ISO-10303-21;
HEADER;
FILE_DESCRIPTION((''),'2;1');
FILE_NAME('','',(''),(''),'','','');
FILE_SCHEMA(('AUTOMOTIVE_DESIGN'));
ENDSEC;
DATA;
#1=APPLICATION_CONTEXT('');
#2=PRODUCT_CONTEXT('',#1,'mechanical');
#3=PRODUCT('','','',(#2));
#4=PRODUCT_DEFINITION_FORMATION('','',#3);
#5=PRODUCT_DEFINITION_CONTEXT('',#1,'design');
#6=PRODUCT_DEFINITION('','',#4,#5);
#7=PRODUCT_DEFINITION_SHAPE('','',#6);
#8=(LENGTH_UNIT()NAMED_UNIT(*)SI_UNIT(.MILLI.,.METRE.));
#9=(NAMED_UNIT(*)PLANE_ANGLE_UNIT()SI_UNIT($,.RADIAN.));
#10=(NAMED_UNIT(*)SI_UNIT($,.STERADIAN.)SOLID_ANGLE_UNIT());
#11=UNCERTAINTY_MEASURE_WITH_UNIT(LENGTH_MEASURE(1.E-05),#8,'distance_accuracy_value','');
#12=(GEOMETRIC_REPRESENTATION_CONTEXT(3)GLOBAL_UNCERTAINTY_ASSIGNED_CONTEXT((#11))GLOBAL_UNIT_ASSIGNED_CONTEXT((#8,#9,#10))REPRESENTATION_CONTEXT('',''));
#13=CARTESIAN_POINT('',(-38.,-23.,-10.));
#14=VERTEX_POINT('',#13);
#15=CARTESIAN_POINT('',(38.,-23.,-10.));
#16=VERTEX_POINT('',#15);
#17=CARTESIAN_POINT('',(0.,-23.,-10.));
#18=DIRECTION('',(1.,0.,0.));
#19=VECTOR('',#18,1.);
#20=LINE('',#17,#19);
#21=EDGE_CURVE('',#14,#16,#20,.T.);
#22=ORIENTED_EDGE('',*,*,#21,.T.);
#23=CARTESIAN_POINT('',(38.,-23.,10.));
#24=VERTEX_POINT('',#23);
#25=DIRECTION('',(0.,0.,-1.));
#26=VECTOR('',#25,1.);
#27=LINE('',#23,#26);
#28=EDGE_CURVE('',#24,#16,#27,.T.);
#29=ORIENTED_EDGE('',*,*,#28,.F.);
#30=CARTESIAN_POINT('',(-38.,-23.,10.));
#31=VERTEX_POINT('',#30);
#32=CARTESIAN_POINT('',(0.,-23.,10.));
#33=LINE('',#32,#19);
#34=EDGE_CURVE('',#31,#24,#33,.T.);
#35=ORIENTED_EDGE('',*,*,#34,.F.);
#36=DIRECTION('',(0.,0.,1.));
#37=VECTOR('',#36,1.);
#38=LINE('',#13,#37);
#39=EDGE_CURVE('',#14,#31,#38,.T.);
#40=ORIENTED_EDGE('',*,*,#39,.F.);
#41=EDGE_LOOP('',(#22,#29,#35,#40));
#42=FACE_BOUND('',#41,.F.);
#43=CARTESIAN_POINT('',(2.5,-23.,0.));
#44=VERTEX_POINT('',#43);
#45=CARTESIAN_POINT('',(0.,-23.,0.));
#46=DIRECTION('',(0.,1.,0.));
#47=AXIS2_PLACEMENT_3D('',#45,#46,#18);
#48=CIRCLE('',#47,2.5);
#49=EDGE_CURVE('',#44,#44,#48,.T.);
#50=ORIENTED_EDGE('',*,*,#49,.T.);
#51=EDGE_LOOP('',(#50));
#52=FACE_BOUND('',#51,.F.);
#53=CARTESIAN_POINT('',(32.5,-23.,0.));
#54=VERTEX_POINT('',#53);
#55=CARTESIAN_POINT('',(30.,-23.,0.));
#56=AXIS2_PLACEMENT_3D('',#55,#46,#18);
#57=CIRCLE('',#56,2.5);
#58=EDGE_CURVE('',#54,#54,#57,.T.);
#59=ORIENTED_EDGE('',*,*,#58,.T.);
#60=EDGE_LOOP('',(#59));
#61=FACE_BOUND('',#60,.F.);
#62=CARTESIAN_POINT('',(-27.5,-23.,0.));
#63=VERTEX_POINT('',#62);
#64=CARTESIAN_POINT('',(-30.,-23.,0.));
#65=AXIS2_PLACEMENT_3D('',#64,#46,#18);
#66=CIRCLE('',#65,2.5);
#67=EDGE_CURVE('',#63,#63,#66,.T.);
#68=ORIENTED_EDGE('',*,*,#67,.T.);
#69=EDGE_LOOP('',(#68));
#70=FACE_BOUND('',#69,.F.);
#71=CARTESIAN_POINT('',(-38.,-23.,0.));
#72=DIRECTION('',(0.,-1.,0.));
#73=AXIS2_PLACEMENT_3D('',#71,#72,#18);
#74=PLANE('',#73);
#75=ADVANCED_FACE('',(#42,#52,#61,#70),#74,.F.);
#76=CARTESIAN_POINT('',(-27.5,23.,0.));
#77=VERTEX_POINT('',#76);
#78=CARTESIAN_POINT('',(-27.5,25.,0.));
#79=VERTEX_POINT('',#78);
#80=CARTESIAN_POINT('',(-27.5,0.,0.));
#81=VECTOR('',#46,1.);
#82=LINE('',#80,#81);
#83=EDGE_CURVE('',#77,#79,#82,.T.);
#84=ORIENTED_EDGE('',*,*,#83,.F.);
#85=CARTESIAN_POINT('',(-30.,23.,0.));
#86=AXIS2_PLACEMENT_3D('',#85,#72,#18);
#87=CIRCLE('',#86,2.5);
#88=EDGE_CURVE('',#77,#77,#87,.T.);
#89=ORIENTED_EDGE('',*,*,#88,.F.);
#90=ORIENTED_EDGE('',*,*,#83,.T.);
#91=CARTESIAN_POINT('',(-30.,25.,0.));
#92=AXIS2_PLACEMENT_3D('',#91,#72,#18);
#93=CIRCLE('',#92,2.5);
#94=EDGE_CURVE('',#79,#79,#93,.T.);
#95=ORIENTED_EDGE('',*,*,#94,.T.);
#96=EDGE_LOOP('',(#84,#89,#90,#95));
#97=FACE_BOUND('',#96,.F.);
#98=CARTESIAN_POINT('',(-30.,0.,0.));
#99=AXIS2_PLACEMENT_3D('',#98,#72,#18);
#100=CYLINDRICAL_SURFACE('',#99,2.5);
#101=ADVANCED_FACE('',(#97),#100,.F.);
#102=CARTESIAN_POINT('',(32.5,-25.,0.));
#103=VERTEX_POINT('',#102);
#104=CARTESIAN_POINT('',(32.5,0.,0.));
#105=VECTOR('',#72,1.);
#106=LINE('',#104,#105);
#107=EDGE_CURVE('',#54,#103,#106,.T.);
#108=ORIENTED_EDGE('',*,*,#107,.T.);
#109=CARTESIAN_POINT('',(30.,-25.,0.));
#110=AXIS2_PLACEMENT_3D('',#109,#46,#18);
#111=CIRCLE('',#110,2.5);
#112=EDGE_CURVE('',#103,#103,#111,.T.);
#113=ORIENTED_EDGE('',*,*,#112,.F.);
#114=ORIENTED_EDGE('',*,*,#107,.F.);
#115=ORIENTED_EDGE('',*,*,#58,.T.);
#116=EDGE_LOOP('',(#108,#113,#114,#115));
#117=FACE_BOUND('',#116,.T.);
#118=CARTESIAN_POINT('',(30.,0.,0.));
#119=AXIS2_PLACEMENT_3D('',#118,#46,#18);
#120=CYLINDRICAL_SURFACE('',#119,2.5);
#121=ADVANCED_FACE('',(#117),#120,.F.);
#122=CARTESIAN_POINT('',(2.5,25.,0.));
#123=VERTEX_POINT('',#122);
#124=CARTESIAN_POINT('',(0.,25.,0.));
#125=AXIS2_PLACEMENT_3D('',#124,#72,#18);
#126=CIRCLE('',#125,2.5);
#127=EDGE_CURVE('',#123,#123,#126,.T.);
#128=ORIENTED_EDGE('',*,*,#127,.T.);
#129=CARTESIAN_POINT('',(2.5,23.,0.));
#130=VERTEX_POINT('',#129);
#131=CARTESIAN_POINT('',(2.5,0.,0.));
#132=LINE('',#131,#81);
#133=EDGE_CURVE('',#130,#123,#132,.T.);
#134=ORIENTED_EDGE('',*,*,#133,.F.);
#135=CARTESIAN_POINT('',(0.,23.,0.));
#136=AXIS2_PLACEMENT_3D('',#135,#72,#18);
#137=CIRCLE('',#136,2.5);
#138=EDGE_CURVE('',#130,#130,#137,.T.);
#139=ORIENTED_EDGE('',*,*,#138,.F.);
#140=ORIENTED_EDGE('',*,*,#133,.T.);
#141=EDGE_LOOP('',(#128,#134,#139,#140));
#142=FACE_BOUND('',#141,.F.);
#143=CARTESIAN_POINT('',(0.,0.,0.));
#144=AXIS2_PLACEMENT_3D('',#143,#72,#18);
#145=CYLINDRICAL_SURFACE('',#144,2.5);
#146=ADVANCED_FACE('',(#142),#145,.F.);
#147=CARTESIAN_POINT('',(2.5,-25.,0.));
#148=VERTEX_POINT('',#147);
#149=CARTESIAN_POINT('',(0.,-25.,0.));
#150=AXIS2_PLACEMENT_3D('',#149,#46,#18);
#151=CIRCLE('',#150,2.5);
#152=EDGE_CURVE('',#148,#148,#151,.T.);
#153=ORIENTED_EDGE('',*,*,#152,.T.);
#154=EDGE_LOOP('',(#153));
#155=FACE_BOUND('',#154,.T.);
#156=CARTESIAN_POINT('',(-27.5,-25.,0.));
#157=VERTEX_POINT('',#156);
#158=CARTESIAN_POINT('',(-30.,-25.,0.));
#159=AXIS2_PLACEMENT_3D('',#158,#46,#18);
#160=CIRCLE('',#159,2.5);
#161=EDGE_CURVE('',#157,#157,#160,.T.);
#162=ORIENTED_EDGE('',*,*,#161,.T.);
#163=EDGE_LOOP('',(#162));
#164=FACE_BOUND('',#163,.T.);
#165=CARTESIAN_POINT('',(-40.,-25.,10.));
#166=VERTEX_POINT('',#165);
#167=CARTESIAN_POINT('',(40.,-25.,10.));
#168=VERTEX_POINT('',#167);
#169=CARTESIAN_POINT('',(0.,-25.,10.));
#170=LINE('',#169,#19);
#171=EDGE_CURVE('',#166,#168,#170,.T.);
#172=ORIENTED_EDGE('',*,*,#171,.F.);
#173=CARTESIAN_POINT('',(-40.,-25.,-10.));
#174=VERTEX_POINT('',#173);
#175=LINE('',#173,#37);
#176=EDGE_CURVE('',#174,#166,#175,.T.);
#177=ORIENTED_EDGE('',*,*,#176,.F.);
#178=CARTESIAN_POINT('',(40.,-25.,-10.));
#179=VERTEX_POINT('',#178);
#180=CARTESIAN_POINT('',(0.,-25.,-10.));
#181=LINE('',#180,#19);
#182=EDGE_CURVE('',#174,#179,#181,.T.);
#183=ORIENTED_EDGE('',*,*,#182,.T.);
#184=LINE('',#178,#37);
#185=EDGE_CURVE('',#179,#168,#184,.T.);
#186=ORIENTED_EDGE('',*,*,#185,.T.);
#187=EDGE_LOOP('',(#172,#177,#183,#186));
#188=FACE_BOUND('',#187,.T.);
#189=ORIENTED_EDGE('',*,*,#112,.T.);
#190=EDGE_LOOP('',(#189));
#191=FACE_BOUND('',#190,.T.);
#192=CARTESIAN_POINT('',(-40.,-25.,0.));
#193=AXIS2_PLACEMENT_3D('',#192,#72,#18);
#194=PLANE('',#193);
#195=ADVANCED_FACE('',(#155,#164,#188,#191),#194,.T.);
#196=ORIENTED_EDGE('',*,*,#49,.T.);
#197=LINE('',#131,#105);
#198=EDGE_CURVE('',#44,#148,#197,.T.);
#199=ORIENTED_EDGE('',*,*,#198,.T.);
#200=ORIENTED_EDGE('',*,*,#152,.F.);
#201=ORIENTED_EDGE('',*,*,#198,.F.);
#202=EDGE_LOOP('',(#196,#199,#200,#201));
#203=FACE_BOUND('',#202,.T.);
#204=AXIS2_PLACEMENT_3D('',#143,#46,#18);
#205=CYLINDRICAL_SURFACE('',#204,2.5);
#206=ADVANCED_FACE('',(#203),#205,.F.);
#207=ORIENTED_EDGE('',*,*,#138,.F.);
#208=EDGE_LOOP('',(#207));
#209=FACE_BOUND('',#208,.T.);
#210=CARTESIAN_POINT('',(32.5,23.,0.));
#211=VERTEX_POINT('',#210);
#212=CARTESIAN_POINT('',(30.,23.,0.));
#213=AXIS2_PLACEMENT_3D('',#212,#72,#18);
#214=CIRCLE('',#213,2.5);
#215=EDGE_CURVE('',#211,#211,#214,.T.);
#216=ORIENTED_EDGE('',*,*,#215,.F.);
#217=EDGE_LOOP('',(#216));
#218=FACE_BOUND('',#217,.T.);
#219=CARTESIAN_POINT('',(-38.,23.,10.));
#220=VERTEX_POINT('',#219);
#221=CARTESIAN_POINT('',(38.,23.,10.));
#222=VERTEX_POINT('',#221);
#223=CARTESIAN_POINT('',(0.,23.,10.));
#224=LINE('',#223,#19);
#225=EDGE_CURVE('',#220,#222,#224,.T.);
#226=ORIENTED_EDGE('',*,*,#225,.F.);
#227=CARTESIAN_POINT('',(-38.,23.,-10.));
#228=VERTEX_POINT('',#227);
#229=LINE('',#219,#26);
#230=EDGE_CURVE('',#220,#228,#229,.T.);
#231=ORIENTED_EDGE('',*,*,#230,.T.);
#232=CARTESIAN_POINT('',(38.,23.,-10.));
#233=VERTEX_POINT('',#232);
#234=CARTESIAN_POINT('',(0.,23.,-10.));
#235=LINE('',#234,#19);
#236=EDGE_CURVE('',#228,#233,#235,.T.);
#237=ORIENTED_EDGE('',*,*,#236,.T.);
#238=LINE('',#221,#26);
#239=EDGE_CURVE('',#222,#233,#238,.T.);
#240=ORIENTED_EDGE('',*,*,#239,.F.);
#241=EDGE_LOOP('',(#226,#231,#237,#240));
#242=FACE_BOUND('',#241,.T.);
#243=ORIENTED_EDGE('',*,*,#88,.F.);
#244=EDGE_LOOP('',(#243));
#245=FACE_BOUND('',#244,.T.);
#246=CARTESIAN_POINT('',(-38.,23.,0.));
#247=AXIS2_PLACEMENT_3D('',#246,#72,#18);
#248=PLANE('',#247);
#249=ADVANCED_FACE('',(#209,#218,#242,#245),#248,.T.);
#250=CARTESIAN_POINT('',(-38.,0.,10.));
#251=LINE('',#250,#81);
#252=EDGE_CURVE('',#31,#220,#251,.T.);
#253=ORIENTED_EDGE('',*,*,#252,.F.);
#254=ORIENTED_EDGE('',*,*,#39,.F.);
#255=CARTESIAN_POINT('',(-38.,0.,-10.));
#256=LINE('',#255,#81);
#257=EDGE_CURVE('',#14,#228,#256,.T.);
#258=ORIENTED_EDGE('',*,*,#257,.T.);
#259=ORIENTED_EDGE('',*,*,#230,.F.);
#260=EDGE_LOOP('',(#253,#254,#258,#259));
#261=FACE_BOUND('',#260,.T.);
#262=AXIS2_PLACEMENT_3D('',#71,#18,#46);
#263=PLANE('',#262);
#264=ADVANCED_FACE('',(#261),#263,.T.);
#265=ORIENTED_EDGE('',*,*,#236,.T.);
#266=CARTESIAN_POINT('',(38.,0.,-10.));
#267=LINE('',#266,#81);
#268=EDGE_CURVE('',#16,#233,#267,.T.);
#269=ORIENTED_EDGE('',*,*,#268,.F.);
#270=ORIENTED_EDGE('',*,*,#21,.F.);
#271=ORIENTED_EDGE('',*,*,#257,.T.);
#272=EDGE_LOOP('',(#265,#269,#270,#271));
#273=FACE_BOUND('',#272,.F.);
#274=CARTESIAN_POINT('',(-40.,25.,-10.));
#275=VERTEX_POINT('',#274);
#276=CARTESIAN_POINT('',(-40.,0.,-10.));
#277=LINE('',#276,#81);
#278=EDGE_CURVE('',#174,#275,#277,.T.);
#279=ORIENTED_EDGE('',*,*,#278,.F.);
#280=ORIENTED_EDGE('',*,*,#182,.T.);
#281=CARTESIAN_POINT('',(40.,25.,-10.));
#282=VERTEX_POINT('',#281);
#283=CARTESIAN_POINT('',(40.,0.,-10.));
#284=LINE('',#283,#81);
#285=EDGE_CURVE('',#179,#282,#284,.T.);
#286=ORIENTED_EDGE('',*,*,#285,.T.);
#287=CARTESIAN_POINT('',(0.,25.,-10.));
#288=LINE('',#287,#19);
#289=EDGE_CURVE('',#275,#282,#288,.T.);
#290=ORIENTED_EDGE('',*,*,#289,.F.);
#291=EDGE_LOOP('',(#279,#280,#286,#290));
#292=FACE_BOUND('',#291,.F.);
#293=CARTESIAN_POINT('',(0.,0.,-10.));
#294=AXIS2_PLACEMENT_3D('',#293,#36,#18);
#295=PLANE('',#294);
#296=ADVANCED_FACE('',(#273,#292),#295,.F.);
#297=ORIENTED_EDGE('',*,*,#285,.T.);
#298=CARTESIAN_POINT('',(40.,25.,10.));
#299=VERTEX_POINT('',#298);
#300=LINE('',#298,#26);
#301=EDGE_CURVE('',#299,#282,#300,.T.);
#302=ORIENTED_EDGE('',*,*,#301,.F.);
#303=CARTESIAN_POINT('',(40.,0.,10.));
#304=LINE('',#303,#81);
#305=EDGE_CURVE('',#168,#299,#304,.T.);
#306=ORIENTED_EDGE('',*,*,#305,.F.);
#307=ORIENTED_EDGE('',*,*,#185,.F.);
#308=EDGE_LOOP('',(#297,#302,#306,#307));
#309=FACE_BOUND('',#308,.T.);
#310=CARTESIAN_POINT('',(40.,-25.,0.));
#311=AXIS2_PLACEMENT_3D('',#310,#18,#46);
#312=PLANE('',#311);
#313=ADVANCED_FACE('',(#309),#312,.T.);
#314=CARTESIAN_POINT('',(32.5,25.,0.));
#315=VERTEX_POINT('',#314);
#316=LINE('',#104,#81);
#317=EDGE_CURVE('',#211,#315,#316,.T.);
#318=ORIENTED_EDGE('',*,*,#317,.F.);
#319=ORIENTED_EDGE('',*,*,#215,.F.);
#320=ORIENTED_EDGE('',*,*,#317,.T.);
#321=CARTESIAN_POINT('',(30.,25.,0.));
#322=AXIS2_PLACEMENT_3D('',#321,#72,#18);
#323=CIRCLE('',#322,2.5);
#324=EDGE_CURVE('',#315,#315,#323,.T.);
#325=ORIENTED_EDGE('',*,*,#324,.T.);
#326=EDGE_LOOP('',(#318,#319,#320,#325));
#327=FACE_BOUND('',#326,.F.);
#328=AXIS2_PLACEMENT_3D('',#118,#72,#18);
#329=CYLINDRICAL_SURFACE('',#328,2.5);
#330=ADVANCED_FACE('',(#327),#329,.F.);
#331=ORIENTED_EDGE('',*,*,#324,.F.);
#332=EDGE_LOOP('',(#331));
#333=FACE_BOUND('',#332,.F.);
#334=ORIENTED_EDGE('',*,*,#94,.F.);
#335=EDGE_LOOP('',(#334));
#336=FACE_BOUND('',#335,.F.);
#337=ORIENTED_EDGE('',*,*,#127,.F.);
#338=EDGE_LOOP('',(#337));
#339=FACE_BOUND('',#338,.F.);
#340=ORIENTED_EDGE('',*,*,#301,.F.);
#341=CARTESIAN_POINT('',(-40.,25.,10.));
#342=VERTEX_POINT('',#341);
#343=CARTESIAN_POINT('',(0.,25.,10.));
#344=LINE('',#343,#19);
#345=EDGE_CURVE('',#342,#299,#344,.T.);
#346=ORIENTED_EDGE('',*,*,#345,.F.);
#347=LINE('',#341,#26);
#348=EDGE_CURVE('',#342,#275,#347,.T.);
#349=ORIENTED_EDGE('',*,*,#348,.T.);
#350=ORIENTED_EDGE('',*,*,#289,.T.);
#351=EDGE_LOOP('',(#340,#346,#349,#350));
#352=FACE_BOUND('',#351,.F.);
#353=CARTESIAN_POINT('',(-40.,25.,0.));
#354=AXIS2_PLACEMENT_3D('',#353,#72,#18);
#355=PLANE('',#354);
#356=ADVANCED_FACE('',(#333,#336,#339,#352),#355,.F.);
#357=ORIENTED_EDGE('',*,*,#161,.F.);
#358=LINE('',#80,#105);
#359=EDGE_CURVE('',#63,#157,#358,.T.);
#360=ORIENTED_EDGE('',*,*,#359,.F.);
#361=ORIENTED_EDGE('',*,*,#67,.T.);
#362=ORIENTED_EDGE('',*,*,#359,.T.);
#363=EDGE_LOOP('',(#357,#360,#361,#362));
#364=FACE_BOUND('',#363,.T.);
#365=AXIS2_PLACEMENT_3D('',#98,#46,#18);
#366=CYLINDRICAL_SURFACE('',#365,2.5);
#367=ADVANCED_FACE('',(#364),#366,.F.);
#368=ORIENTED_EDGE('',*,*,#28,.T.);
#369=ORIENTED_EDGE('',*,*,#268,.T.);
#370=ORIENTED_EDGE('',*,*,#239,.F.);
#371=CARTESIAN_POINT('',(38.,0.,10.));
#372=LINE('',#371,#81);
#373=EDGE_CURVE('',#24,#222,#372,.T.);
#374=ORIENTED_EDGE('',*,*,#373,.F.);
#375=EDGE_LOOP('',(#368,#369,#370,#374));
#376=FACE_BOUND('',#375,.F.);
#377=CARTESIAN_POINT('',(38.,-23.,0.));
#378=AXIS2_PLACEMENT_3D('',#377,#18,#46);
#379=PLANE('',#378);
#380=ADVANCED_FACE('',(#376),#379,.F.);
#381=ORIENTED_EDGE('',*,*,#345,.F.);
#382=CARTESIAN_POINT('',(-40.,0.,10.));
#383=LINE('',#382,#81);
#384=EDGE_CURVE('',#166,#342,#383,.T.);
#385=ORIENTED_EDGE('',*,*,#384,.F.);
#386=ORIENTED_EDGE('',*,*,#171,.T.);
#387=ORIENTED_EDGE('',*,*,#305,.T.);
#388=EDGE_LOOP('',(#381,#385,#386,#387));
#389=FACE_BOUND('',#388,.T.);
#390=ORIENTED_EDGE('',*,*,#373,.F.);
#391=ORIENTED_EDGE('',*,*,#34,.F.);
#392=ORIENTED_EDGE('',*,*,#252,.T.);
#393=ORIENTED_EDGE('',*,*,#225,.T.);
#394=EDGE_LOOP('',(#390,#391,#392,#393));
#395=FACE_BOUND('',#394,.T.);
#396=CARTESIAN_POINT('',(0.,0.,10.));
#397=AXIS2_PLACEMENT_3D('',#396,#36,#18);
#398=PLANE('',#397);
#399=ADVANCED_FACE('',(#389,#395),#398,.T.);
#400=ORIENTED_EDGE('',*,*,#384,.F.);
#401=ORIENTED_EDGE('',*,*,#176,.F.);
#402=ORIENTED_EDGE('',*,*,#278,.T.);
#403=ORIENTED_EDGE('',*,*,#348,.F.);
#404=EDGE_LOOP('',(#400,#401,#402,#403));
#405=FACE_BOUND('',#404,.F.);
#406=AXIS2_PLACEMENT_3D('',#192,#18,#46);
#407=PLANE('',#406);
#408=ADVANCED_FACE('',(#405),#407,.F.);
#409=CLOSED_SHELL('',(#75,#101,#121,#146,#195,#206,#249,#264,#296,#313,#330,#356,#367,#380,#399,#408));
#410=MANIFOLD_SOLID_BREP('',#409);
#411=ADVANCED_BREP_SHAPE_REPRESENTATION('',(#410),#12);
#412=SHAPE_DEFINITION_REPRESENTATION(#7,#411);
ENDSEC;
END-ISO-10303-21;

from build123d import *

# Parameters (mm, degrees)
F0_W          = 80
F0_H          = 50
F0_W_2        = 76
F0_H_2        = 46
F1_DEPTH      = 10
F1_DEPTH_BACK = 10
F2_R          = 2.5
F3_DEPTH      = 40
F3_DEPTH_BACK = 40


with BuildPart() as f1:
    # F0 (on Top) → F1 (new body, two sides)
    with BuildSketch(Plane.XY) as f1_sk:
        Rectangle(F0_W, F0_H)
        Rectangle(F0_W_2, F0_H_2, mode=Mode.SUBTRACT)
    extrude(amount=F1_DEPTH)
    extrude(f1_sk.sketch, amount=-F1_DEPTH_BACK)

    # F2 (on Front) → F3 (cut, two sides)
    with BuildSketch(Plane.XZ) as f3_sk:
        with Locations((-30, 0)):
            Circle(F2_R)
        Circle(F2_R)
        with Locations((30, 0)):
            Circle(F2_R)
    extrude(amount=F3_DEPTH, mode=Mode.SUBTRACT)
    extrude(f3_sk.sketch, amount=-F3_DEPTH_BACK, mode=Mode.SUBTRACT)


solid = f1.part
